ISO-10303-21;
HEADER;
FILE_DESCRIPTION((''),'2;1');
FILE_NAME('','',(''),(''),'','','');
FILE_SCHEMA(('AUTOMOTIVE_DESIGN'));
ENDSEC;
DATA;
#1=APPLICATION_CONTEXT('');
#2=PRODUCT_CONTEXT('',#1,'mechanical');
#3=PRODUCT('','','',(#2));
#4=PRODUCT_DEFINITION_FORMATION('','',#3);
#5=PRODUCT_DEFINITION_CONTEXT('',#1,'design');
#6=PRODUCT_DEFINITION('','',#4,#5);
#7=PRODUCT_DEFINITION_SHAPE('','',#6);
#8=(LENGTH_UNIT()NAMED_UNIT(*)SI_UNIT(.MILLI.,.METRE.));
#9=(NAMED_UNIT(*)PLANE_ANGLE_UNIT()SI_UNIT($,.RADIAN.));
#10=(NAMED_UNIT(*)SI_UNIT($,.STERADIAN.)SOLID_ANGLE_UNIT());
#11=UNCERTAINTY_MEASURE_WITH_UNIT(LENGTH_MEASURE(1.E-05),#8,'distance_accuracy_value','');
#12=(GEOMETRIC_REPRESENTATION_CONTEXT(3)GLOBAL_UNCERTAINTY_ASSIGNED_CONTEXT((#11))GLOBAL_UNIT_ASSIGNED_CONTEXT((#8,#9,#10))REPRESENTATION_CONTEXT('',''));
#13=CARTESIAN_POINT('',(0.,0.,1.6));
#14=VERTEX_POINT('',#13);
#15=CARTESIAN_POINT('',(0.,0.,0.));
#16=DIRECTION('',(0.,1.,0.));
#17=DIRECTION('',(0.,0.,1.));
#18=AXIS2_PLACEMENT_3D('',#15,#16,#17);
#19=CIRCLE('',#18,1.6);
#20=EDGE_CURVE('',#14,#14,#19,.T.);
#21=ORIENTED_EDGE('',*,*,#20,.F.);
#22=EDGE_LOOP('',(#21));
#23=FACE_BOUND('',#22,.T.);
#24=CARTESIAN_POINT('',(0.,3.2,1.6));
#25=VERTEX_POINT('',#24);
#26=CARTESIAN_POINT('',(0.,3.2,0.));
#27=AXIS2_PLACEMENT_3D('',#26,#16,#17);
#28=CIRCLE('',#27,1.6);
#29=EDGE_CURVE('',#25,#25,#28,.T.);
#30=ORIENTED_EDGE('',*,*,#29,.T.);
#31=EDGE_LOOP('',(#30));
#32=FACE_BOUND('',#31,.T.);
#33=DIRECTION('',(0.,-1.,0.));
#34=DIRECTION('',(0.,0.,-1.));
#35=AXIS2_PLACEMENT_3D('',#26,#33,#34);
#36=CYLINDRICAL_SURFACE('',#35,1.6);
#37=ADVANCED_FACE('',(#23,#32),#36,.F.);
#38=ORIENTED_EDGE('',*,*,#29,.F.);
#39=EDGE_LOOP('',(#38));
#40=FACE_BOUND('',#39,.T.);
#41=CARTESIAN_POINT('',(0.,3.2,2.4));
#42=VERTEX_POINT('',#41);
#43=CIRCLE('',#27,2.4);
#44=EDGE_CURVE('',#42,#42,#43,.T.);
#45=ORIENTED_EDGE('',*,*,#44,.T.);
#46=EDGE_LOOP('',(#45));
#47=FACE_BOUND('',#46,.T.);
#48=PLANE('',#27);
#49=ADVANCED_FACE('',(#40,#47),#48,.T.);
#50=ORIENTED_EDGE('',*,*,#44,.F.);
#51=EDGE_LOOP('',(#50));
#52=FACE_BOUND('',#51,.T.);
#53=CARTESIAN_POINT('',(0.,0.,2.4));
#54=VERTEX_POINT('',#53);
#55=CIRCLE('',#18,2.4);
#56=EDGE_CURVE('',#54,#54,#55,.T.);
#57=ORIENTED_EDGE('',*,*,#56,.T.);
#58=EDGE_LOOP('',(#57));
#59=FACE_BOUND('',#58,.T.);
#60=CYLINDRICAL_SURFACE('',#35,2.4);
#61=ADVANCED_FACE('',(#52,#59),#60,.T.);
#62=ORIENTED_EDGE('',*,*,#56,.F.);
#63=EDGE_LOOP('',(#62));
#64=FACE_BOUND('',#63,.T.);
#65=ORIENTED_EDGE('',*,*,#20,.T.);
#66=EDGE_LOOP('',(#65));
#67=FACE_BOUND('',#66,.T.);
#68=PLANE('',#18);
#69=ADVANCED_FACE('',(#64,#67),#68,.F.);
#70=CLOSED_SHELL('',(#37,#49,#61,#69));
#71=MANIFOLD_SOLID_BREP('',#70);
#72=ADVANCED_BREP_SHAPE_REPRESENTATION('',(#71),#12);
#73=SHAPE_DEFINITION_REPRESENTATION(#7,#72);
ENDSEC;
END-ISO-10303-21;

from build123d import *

# Parameters (mm, degrees)
SKETCH1_R           = 2.4
SKETCH1_R_2         = 1.6
BOSS_EXTRUDE1_DEPTH = 3.2


with BuildPart() as part:
    # Sketch1 → Boss-Extrude1 (new body)
    with BuildSketch(Plane(origin=(0, 0, 0), x_dir=(1, 0, 0), z_dir=(0, 1, 0))):
        with Locations(Location((0, 0, 0), (0, 0, 270))):
            Circle(SKETCH1_R)
        with Locations(Location((0, 0, 0), (0, 0, 270))):
            Circle(SKETCH1_R_2, mode=Mode.SUBTRACT)
    extrude(amount=BOSS_EXTRUDE1_DEPTH)


solid = part.part
